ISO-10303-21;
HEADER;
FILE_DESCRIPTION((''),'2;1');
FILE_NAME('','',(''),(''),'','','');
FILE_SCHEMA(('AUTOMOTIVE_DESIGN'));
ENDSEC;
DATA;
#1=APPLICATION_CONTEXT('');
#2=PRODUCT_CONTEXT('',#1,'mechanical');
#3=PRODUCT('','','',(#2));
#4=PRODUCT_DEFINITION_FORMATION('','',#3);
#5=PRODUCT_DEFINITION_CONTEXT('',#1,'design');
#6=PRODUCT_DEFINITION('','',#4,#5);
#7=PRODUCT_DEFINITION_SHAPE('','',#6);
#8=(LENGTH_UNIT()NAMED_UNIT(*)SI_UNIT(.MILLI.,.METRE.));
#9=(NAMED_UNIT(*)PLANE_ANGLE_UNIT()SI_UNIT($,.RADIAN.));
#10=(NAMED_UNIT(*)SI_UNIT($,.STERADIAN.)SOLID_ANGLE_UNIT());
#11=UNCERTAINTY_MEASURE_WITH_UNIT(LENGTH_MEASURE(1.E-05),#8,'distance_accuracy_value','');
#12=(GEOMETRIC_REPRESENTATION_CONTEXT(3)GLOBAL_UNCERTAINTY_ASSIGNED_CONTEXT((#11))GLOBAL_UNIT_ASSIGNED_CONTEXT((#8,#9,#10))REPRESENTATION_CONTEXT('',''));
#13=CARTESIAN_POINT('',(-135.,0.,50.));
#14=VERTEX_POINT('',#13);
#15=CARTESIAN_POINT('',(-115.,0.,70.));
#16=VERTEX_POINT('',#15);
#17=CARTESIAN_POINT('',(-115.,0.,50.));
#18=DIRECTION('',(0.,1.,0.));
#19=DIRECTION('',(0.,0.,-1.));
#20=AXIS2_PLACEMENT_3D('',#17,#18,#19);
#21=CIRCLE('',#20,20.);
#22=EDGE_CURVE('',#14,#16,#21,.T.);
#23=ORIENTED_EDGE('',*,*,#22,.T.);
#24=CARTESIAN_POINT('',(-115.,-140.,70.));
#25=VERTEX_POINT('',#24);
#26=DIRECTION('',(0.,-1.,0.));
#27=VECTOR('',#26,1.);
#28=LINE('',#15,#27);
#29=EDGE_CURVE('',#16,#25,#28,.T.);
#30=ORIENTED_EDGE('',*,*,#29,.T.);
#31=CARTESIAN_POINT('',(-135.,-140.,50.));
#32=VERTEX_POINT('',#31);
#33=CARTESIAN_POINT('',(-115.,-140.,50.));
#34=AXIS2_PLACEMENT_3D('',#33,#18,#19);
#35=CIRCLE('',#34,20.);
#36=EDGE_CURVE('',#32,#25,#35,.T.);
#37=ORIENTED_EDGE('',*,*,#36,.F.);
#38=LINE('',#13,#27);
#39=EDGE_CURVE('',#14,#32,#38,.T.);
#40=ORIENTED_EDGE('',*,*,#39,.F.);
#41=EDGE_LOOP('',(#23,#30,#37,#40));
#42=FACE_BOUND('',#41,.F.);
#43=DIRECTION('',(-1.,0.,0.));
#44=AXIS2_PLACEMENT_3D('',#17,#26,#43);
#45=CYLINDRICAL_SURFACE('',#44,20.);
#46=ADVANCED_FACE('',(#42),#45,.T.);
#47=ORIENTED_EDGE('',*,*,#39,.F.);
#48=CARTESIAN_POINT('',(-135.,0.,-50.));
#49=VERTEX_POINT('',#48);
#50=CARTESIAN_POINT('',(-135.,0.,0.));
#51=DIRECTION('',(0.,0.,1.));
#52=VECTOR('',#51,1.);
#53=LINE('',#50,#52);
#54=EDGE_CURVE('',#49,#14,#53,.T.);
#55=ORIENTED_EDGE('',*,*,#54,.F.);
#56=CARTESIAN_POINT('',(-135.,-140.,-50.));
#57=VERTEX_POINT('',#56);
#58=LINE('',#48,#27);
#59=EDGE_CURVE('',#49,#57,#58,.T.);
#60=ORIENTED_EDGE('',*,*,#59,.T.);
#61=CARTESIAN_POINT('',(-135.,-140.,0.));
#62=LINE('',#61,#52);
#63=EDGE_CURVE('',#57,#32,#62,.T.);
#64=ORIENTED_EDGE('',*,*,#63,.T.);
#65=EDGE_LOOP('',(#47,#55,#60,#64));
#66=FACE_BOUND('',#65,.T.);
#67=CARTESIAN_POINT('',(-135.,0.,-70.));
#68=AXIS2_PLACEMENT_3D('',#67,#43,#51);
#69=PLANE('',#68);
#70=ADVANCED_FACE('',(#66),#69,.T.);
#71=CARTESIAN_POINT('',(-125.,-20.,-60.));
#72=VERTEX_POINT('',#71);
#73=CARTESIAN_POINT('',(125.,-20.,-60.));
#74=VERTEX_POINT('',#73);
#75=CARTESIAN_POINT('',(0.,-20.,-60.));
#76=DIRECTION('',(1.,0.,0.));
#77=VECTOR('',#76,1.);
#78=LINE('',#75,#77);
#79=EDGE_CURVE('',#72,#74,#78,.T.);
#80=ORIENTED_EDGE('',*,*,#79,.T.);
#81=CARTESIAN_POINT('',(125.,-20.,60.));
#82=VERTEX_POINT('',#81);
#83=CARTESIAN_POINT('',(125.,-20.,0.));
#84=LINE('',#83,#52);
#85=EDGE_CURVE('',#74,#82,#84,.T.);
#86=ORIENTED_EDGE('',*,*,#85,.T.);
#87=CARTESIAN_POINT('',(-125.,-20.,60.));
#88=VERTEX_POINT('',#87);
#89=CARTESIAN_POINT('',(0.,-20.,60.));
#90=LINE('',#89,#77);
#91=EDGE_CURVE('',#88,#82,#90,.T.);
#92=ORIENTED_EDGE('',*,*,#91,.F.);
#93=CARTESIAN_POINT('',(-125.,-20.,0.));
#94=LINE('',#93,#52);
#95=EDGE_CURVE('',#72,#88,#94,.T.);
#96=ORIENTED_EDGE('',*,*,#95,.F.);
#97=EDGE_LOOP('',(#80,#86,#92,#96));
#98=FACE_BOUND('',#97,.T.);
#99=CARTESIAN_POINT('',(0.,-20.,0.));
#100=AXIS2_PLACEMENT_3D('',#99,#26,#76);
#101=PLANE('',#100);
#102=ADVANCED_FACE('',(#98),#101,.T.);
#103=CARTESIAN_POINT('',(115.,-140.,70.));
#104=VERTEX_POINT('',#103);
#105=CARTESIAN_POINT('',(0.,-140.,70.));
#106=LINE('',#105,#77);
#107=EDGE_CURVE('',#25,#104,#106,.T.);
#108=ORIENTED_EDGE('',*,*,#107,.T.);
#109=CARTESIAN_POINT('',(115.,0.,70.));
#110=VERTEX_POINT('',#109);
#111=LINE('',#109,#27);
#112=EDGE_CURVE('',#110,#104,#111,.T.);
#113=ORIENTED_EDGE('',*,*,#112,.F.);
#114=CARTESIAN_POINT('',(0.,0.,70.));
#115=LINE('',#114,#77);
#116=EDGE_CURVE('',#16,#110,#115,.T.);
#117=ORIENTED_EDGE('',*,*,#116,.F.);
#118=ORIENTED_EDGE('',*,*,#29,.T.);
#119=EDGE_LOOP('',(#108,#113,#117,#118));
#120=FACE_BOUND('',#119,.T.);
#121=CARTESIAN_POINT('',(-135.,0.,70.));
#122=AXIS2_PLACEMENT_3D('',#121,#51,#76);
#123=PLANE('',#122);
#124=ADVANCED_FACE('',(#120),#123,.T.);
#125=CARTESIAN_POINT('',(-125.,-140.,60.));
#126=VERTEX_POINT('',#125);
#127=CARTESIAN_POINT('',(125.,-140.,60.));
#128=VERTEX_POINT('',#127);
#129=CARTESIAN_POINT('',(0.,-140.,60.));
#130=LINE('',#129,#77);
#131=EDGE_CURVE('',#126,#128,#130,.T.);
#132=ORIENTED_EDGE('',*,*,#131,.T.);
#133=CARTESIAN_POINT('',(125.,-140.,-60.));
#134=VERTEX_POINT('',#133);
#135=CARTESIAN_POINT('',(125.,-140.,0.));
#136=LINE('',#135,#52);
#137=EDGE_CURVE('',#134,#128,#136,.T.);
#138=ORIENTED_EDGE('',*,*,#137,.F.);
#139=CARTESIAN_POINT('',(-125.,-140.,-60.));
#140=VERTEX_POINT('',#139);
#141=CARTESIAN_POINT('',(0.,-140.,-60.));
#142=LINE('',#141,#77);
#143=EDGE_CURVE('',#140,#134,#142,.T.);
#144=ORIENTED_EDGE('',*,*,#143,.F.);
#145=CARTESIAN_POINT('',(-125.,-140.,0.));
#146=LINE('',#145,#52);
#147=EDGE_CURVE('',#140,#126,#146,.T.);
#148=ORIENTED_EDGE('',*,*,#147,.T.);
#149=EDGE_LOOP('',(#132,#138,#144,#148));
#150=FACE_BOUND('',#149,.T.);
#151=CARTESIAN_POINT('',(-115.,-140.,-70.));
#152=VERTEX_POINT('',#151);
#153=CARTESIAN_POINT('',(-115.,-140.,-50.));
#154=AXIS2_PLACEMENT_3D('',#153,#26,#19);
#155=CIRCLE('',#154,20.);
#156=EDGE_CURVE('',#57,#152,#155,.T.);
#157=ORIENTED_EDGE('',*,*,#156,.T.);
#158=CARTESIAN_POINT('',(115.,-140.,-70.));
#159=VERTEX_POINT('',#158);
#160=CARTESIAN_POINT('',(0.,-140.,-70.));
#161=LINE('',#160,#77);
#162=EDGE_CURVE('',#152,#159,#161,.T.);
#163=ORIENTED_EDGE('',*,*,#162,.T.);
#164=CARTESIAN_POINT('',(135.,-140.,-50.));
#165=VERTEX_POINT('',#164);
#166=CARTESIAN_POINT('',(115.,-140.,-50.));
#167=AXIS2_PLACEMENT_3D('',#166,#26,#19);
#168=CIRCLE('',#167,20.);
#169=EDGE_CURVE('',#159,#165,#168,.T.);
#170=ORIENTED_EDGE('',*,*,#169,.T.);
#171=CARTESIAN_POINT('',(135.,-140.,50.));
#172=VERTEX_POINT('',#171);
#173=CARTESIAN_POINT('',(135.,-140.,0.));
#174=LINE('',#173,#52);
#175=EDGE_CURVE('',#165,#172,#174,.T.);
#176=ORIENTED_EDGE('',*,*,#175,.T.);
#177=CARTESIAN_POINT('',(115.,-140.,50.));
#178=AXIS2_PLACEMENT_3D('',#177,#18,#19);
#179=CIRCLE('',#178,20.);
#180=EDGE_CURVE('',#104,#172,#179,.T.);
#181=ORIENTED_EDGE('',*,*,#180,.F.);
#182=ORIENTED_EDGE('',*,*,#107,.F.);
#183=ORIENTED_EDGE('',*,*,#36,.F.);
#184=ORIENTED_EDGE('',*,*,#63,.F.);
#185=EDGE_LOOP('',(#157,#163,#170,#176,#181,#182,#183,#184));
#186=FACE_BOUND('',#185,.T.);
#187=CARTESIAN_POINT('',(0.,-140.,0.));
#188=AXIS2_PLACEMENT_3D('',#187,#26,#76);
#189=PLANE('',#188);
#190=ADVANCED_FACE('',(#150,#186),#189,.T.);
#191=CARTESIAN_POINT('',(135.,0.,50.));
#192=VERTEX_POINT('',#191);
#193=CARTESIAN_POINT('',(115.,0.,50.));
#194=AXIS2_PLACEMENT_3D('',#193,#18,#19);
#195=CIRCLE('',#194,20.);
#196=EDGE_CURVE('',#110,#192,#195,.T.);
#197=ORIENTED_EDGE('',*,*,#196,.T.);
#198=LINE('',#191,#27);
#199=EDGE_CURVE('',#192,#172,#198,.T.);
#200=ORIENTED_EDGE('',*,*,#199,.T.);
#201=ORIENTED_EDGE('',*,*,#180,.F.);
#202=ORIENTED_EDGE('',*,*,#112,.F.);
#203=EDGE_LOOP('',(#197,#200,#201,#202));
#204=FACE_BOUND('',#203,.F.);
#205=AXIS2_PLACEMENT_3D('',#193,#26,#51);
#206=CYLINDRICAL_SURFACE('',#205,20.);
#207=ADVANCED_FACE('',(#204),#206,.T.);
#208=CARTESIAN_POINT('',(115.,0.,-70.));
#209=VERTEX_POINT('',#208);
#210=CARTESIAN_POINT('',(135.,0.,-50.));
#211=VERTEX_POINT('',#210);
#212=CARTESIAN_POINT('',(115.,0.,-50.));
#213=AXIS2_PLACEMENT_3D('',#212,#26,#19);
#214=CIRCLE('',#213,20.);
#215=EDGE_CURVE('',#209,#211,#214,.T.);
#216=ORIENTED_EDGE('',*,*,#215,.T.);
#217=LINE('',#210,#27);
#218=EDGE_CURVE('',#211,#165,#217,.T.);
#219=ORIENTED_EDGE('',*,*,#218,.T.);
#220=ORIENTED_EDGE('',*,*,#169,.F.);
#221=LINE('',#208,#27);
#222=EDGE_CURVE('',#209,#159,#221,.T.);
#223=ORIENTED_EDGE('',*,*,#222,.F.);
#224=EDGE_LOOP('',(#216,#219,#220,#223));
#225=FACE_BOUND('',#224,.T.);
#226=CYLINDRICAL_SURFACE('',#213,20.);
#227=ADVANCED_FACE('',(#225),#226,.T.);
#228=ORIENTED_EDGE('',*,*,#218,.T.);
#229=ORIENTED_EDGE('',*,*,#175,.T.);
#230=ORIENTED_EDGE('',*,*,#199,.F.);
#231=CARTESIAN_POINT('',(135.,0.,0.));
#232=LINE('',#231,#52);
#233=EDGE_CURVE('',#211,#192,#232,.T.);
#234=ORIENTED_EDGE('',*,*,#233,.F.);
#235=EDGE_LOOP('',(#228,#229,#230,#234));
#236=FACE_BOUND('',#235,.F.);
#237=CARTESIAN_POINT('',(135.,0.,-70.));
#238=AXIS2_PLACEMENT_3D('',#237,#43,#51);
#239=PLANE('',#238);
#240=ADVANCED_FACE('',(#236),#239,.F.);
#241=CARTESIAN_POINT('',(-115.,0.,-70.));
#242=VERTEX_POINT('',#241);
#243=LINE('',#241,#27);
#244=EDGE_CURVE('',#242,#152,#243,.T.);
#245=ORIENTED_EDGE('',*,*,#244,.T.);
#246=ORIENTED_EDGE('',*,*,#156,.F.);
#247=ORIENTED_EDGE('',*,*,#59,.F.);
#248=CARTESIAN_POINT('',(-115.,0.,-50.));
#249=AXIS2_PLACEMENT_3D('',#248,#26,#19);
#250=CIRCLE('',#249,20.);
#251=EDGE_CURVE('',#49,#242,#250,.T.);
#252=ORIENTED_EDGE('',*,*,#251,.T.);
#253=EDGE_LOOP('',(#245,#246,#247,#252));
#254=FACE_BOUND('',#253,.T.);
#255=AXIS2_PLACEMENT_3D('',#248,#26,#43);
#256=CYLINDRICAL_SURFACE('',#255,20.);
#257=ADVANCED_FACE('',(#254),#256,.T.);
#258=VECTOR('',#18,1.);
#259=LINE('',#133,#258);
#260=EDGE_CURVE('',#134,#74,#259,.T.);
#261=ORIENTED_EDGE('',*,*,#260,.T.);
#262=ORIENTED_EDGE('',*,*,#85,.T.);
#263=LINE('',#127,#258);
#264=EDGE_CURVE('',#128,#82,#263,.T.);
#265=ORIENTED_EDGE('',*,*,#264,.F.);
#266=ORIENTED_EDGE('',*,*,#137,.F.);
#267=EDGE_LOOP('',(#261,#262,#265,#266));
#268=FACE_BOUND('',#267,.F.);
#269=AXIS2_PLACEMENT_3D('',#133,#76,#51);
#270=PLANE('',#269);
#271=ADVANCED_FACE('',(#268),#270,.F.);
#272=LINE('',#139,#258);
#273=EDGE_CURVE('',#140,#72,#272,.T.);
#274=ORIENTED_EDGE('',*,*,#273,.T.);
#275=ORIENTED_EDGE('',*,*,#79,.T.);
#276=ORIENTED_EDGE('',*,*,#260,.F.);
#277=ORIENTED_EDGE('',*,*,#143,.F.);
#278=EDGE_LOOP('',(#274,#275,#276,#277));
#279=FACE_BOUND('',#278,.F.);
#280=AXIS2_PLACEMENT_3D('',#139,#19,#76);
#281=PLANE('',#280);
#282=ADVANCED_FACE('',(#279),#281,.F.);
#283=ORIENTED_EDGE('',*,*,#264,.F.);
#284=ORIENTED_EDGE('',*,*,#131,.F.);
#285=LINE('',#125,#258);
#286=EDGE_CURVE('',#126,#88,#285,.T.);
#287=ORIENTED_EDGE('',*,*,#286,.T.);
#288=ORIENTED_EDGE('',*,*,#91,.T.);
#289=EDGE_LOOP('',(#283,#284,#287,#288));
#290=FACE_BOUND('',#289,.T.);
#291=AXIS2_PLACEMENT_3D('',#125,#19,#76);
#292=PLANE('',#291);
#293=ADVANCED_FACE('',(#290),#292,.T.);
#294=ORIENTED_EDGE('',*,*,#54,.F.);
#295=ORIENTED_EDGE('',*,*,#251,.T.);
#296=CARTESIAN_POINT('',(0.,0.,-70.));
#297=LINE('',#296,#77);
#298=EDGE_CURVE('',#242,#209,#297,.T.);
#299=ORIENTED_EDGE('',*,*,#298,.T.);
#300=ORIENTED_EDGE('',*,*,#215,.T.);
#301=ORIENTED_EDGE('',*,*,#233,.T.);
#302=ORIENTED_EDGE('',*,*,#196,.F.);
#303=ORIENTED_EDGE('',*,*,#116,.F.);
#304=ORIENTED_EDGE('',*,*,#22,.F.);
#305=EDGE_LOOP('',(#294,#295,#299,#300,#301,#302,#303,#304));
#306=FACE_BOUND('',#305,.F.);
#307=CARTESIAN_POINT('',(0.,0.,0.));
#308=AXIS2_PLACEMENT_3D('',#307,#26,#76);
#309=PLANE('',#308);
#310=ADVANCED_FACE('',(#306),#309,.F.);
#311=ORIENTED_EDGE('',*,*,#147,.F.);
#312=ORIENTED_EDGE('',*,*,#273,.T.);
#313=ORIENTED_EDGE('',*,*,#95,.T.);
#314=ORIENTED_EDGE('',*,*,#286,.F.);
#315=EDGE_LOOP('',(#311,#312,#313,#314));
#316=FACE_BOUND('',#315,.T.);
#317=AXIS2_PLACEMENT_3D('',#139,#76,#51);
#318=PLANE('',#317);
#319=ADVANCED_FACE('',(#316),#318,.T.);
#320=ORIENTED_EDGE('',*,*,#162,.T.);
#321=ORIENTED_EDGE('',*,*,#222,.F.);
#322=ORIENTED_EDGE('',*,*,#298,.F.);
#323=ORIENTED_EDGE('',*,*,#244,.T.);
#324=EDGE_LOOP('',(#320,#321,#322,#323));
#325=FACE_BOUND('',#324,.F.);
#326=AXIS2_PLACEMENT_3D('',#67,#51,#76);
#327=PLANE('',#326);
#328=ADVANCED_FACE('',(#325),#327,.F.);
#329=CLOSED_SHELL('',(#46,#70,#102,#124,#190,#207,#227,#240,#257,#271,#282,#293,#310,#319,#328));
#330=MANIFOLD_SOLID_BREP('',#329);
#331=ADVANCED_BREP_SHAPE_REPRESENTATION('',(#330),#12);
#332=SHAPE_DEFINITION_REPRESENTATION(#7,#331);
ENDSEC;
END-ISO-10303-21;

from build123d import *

# Parameters (mm, degrees)
F0_W     = 270
F0_H     = 140
F1_DEPTH = 140
F2_W     = 250
F2_H     = 120
F3_DEPTH = 120
F4_R     = 20


with BuildPart() as f1:
    # F0 (on Front) → F1 (new body)
    with BuildSketch(Plane.XZ):
        Rectangle(F0_W, F0_H)
    extrude(amount=F1_DEPTH)

    # F2 (on face) → F3 (cut)
    with BuildSketch(Plane.XZ.offset(140)):
        Rectangle(F2_W, F2_H)
    extrude(amount=-F3_DEPTH, mode=Mode.SUBTRACT)

    # F4
    f4_edges = [f1.edges().sort_by_distance(p)[0] for p in [
        (135, -70, 70),
        (-135, -70, 70),
        (135, -70, -70),
        (-135, -70, -70),
    ]]
    fillet(f4_edges, radius=F4_R)


solid = f1.part
